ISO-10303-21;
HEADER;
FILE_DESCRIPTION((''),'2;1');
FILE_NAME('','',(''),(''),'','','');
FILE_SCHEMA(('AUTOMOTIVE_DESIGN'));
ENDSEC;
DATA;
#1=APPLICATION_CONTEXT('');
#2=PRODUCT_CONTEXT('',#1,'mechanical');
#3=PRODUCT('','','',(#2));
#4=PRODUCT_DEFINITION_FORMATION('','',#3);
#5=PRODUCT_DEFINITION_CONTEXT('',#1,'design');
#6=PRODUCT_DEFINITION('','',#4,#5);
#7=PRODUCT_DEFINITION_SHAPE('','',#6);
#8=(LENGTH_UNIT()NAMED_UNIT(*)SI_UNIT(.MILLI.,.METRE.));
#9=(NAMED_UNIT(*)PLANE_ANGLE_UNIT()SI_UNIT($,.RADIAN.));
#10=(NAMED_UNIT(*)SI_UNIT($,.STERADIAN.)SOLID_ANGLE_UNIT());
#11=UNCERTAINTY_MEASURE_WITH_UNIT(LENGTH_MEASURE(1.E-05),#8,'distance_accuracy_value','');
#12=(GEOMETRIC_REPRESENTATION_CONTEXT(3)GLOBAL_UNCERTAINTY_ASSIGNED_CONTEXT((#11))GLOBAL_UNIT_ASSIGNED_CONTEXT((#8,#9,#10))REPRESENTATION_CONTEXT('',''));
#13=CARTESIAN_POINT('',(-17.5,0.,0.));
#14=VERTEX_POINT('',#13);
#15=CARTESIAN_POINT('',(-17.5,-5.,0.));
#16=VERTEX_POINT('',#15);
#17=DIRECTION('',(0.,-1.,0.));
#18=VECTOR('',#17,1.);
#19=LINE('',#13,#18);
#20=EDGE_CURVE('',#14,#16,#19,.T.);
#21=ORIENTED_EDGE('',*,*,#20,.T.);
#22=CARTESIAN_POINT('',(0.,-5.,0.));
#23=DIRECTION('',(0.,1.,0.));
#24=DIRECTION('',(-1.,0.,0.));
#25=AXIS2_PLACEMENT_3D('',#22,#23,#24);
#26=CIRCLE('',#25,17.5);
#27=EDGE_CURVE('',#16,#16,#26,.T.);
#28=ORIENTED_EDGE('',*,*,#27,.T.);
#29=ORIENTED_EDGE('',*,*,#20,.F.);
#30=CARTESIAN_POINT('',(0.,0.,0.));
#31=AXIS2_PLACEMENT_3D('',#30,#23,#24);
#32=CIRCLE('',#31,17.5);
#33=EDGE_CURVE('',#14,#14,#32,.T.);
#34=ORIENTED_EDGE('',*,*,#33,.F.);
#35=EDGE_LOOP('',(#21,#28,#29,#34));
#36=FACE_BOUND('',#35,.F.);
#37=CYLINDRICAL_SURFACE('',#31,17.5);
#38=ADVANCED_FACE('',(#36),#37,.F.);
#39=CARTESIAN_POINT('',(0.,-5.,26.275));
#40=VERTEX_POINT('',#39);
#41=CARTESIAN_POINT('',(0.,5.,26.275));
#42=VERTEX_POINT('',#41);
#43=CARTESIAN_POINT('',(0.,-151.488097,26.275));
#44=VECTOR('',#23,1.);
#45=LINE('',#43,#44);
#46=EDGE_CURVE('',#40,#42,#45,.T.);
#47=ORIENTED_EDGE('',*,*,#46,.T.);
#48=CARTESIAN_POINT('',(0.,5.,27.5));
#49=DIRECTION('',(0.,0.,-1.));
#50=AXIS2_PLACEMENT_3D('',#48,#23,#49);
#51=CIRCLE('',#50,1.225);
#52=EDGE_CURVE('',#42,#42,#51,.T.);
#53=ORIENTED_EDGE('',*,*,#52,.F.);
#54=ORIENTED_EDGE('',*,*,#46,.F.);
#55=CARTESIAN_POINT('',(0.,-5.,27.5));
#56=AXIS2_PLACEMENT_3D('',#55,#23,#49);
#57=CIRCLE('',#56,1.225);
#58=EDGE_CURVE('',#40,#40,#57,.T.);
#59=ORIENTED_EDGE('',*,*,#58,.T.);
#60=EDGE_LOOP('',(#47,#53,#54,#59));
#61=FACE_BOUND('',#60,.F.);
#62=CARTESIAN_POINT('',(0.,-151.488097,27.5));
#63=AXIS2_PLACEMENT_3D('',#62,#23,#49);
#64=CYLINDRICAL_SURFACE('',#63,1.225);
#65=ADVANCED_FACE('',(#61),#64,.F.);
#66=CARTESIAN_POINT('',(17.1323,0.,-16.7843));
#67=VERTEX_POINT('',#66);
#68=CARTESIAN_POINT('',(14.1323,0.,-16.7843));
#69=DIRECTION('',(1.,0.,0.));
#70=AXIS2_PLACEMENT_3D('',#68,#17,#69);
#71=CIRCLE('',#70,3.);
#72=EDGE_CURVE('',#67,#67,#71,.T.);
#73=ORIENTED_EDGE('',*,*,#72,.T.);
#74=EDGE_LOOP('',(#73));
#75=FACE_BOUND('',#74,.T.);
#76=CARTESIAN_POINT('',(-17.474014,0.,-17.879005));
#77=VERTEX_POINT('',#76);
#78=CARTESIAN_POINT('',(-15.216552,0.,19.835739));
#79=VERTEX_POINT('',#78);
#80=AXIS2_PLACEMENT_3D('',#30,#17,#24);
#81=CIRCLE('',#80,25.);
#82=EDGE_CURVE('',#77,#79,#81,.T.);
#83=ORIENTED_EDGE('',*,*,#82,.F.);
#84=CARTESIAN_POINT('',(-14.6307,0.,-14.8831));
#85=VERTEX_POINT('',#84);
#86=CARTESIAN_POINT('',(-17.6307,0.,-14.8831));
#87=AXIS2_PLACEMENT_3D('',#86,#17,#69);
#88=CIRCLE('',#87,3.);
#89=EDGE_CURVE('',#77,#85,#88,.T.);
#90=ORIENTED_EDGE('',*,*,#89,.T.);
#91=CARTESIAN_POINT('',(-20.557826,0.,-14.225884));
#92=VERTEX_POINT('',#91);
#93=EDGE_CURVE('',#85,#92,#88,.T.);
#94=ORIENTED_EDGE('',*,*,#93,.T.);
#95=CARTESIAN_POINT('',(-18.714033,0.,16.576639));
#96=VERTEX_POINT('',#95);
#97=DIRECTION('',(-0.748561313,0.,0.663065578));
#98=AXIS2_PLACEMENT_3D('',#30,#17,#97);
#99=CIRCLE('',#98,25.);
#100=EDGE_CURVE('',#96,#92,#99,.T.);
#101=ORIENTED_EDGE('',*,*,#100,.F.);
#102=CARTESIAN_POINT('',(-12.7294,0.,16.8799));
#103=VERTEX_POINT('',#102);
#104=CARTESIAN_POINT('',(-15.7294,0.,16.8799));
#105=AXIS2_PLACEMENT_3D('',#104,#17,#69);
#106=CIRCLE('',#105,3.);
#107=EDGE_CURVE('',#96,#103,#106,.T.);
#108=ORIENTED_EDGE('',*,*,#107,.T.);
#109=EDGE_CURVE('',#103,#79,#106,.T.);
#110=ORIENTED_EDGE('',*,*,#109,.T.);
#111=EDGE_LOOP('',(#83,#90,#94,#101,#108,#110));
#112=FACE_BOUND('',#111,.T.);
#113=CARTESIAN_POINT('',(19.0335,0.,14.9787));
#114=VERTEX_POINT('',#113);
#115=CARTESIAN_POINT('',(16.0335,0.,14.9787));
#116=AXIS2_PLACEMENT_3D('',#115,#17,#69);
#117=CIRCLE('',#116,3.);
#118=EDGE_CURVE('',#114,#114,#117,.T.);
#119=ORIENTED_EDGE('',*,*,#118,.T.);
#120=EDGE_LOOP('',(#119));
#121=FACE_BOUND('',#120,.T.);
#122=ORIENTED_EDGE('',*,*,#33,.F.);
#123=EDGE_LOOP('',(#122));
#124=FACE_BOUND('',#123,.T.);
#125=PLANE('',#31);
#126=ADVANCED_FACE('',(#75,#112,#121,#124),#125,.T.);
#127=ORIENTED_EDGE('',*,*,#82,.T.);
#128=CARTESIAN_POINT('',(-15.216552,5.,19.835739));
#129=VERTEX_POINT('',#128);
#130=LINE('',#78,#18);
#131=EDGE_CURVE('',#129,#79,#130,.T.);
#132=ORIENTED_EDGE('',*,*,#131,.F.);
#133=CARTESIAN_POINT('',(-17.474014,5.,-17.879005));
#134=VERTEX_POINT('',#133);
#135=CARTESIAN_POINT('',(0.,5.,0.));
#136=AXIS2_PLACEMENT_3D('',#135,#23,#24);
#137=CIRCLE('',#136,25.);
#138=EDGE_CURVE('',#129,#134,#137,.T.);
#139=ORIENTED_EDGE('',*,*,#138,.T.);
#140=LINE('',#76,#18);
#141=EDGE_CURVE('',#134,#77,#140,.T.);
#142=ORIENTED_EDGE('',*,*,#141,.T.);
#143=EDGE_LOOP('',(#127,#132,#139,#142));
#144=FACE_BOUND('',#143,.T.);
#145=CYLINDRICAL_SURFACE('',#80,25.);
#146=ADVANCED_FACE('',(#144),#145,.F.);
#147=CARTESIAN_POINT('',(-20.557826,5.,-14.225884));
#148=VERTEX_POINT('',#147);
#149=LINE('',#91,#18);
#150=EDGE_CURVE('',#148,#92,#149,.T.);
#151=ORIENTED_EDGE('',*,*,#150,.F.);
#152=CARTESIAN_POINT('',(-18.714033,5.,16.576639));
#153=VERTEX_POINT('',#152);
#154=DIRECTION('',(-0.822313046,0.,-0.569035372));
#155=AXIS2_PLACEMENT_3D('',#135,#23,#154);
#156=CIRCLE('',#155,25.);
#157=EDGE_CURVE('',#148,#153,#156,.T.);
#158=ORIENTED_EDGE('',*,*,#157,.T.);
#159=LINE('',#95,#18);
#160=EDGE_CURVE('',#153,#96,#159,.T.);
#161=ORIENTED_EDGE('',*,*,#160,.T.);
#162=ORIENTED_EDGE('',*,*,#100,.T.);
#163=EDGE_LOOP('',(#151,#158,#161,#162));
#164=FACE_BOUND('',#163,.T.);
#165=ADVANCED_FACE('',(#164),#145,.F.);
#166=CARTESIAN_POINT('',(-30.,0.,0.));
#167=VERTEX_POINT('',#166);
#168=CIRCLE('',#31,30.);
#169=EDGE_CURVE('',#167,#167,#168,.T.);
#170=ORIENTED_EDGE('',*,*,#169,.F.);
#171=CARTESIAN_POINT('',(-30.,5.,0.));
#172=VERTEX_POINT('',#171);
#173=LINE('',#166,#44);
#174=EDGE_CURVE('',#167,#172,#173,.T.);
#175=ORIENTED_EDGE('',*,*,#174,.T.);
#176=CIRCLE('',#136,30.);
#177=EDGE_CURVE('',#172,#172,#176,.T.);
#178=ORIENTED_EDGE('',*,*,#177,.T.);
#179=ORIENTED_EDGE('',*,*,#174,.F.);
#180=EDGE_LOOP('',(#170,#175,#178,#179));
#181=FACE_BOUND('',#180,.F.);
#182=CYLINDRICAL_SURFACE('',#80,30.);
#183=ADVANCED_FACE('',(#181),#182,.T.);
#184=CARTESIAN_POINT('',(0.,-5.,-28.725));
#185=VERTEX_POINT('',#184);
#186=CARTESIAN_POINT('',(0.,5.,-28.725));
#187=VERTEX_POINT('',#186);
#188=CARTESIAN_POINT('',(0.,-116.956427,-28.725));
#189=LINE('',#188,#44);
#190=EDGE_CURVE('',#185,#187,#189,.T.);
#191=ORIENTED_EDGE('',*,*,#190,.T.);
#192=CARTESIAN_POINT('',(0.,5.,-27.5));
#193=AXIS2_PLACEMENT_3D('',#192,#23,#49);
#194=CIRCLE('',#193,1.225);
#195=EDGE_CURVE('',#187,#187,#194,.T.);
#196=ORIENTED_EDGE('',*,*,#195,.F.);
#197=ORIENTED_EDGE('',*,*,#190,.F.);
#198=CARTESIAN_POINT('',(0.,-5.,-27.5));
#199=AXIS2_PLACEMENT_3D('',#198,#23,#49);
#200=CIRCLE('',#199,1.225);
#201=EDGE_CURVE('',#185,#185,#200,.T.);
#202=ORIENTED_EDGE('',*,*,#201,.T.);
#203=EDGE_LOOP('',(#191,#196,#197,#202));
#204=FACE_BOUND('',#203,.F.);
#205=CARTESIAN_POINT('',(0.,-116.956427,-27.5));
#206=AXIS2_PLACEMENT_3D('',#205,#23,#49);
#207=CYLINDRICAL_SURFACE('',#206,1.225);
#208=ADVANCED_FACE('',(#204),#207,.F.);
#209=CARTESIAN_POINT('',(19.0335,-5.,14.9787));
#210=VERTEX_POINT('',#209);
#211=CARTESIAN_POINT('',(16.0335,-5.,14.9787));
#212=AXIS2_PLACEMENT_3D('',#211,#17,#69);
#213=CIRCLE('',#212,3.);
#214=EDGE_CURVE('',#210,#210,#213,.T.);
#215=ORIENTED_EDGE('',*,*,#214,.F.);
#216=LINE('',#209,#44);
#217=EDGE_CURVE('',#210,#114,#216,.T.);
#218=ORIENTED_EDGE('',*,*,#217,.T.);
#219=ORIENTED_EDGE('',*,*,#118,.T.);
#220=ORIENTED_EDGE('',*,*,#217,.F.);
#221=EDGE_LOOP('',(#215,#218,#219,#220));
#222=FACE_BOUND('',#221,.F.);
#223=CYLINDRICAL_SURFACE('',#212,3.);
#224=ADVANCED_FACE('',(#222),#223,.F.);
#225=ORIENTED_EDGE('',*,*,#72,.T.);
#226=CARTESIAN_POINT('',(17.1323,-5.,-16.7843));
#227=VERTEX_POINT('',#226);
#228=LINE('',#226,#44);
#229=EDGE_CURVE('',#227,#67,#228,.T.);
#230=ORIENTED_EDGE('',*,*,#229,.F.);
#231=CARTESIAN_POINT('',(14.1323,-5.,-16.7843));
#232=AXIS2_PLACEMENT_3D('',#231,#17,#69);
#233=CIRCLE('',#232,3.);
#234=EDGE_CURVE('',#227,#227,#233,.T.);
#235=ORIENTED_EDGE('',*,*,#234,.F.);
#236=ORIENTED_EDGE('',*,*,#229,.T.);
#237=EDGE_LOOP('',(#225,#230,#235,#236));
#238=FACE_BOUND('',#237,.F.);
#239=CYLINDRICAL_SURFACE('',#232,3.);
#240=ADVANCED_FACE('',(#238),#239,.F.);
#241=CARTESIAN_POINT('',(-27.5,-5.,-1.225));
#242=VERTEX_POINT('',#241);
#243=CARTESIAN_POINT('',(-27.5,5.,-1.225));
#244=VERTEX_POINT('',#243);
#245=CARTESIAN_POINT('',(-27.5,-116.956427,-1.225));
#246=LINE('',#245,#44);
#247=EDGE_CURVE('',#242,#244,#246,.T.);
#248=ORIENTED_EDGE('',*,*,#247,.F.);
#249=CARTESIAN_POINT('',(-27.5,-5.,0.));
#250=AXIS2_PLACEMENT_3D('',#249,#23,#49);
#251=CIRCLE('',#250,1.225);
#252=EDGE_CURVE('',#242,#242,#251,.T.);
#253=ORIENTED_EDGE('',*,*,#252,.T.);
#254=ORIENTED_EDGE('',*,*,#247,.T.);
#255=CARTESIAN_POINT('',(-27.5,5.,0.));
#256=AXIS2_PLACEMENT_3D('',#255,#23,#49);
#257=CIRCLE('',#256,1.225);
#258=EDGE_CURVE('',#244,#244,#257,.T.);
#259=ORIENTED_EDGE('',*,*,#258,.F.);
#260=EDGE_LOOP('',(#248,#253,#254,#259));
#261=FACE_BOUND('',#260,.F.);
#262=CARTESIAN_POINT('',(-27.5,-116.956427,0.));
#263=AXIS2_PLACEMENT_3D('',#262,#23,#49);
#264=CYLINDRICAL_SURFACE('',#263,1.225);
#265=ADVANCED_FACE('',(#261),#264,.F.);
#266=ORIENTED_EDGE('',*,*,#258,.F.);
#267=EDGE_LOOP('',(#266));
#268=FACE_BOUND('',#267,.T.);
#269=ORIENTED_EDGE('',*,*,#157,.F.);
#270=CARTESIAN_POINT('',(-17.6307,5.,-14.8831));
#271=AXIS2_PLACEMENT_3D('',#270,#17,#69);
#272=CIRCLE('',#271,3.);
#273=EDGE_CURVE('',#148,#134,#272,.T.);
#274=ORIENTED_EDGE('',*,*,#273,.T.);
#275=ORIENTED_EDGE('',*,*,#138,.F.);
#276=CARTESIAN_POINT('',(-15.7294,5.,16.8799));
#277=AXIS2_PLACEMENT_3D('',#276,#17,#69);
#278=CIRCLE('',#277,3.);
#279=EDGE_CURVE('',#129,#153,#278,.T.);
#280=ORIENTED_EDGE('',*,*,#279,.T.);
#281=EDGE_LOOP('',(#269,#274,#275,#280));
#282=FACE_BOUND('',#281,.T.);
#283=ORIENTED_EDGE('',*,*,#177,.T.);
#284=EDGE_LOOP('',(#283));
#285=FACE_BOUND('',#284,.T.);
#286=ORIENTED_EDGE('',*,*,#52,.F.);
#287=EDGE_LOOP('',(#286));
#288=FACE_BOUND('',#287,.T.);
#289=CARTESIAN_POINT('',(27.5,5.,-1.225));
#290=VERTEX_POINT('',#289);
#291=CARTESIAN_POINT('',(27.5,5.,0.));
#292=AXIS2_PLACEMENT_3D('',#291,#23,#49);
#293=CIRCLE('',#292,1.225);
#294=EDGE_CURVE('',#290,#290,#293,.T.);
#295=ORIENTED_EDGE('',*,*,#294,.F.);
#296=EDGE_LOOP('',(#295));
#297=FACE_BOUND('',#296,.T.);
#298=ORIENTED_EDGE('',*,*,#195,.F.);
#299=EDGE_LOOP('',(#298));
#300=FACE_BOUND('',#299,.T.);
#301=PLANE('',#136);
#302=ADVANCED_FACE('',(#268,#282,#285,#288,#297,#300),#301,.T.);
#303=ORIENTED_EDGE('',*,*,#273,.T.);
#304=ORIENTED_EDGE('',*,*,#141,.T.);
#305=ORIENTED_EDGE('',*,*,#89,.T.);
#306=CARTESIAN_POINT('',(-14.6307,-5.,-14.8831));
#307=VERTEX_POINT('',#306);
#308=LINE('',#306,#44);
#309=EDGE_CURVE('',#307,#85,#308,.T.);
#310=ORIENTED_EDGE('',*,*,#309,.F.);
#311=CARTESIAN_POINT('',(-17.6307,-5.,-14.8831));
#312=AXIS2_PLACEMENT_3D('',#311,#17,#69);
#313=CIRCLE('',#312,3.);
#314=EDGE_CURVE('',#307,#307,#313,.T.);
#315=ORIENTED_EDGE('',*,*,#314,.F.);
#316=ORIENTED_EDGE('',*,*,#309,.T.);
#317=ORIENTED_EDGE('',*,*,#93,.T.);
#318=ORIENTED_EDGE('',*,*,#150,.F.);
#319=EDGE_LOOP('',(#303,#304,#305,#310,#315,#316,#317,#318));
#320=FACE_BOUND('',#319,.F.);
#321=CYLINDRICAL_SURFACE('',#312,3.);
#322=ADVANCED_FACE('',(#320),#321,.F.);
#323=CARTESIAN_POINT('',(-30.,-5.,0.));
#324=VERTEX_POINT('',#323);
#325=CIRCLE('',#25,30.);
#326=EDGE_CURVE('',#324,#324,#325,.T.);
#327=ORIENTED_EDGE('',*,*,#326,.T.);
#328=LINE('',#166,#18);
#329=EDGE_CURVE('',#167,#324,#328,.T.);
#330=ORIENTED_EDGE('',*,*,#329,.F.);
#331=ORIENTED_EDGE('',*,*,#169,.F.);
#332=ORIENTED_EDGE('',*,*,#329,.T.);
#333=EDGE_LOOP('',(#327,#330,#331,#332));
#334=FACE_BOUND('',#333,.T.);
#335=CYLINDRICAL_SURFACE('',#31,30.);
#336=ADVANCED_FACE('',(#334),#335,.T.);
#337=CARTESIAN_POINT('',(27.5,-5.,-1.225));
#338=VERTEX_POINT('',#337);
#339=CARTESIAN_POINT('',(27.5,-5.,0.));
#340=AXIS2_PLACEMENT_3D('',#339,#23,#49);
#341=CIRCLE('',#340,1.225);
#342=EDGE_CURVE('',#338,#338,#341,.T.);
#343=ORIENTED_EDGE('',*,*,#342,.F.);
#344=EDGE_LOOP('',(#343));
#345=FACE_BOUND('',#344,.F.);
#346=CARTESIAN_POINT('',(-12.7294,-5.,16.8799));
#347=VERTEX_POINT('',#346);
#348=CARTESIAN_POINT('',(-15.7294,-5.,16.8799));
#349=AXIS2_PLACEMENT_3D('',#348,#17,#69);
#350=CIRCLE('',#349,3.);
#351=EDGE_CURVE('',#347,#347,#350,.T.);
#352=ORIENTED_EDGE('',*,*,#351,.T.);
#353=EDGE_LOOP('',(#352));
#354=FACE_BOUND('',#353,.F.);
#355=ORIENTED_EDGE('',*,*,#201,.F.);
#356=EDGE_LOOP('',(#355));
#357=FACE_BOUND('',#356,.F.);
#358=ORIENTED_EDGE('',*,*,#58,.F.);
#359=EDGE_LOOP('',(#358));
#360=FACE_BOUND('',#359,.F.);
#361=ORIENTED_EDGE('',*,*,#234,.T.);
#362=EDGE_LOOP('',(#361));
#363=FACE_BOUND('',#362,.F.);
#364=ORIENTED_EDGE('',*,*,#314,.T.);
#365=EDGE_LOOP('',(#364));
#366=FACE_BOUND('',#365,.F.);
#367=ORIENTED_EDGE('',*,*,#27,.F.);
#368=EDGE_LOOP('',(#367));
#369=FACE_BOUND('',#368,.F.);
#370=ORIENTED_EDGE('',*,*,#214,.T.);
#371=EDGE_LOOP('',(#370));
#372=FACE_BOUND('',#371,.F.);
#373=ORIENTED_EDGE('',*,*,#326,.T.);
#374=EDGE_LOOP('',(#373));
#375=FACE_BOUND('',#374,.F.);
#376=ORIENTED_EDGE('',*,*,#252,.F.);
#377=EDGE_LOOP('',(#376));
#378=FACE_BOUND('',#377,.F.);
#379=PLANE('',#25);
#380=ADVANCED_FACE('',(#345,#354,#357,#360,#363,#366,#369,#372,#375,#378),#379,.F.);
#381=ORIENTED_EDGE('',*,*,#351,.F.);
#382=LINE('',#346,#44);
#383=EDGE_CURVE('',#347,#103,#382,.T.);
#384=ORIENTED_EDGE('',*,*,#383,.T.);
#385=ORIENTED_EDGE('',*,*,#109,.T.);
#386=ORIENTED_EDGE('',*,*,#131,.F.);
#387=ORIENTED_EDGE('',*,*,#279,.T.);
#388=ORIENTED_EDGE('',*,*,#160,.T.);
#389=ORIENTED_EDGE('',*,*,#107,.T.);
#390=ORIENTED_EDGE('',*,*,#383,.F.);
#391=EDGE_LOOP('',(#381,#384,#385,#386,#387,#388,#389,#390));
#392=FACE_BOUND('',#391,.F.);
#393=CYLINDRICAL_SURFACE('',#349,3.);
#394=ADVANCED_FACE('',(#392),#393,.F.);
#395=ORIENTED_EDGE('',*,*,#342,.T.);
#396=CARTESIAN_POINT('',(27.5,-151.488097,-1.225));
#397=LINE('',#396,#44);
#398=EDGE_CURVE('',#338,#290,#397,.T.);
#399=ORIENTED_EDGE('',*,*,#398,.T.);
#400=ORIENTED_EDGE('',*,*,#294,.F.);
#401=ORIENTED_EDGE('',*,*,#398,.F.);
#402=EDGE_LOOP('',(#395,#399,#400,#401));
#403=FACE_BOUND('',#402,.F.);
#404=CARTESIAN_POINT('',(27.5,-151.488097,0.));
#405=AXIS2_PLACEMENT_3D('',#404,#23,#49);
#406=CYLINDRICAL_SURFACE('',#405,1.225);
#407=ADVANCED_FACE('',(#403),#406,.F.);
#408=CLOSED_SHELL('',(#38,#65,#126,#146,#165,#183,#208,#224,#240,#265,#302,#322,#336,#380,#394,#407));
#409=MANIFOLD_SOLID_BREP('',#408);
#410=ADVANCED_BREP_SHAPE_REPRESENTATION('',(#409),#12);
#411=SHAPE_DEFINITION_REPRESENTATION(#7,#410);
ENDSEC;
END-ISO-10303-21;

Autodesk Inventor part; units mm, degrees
ref_plane "YZ Plane" through (0, 0, 0) normal (1, 0, 0) x (0, 1, 0)
ref_plane "XZ Plane" through (0, 0, 0) normal (0, 1, 0) x (-1, 0, 0)
ref_plane "XY Plane" through (0, 0, 0) normal (0, 0, 1) x (1, 0, 0)
sketch "Sketch1" plane through (0, 0, 0) normal (0, 1, 0) x (-1, 0, 0)
  circle A0 centre (0, 0) radius 25
  circle A1 centre (0, 0) radius 30
  circle A2 centre (0, 0) radius 17.5
  line L0 (0, 0) -> (25, 0) construction
  circle A3 centre (17.6777, -17.6777) radius 2
  circle A4 centre (17.6777, 17.6777) radius 2
  circle A5 centre (-17.6777, 17.6777) radius 2
  circle A6 centre (-17.6777, -17.6777) radius 2
  point P0 (0, -27.5)
  point P1 (0, -27.5)
  point P2 (27.5, 0)
  point P3 (-27.5, 0)
  point P4 (0, 27.5)
  dimension "d0" = 50
  dimension "d1" = 60
  dimension "d17" = 27.5
  dimension "d18" = 27.5
  dimension "d19" = 27.5
  dimension "d20" = 27.5
  dimension "d28" = 35
  dimension "d30" = 4
  dimension "d33" = 360
extrude "Extrusion1" add sketch "Sketch1" along normal blind 5 contours A0 A4 | A3 A0 | A0 A5 | A6 A0 | A1 picked at (18.1752, 18.1125) picked at (18.1752, -18.1125) picked at (-18.083, 18.1995) picked at (-18.083, -18.1995)
extrude "Extrusion2" add sketch "Sketch1" against normal blind 5 contours A0 A3 A6 A5 A4 | A4 A0 | A0 A4 | A3 A0 | A0 A3 | A5 A0 | A0 A5 | A6 A0 | A0 A6 | A1
hole "Hole2" at (0, 0, -27.5) at (-27.5, 0, 0) at (27.5, 0, 0) at (0, 0, 27.5) direction (0, 1, 0) diameter 2.45 end through all both
sketch "Sketch3" plane through (0, -5, 0) normal (0, -1, 0) x (1, 0, 0)
  circle A0 centre (16.0335, 14.9787) radius 3
  circle A1 centre (-15.7294, 16.8799) radius 3
  circle A2 centre (-17.6307, -14.8831) radius 3
  circle A3 centre (14.1323, -16.7843) radius 3
  point P0 (0, 0)
extrude "Extrusion4" cut sketch "Sketch3" against normal blind 10
properties part number "Placeholderjointouterring" material "Aluminum 6061-AHC"
